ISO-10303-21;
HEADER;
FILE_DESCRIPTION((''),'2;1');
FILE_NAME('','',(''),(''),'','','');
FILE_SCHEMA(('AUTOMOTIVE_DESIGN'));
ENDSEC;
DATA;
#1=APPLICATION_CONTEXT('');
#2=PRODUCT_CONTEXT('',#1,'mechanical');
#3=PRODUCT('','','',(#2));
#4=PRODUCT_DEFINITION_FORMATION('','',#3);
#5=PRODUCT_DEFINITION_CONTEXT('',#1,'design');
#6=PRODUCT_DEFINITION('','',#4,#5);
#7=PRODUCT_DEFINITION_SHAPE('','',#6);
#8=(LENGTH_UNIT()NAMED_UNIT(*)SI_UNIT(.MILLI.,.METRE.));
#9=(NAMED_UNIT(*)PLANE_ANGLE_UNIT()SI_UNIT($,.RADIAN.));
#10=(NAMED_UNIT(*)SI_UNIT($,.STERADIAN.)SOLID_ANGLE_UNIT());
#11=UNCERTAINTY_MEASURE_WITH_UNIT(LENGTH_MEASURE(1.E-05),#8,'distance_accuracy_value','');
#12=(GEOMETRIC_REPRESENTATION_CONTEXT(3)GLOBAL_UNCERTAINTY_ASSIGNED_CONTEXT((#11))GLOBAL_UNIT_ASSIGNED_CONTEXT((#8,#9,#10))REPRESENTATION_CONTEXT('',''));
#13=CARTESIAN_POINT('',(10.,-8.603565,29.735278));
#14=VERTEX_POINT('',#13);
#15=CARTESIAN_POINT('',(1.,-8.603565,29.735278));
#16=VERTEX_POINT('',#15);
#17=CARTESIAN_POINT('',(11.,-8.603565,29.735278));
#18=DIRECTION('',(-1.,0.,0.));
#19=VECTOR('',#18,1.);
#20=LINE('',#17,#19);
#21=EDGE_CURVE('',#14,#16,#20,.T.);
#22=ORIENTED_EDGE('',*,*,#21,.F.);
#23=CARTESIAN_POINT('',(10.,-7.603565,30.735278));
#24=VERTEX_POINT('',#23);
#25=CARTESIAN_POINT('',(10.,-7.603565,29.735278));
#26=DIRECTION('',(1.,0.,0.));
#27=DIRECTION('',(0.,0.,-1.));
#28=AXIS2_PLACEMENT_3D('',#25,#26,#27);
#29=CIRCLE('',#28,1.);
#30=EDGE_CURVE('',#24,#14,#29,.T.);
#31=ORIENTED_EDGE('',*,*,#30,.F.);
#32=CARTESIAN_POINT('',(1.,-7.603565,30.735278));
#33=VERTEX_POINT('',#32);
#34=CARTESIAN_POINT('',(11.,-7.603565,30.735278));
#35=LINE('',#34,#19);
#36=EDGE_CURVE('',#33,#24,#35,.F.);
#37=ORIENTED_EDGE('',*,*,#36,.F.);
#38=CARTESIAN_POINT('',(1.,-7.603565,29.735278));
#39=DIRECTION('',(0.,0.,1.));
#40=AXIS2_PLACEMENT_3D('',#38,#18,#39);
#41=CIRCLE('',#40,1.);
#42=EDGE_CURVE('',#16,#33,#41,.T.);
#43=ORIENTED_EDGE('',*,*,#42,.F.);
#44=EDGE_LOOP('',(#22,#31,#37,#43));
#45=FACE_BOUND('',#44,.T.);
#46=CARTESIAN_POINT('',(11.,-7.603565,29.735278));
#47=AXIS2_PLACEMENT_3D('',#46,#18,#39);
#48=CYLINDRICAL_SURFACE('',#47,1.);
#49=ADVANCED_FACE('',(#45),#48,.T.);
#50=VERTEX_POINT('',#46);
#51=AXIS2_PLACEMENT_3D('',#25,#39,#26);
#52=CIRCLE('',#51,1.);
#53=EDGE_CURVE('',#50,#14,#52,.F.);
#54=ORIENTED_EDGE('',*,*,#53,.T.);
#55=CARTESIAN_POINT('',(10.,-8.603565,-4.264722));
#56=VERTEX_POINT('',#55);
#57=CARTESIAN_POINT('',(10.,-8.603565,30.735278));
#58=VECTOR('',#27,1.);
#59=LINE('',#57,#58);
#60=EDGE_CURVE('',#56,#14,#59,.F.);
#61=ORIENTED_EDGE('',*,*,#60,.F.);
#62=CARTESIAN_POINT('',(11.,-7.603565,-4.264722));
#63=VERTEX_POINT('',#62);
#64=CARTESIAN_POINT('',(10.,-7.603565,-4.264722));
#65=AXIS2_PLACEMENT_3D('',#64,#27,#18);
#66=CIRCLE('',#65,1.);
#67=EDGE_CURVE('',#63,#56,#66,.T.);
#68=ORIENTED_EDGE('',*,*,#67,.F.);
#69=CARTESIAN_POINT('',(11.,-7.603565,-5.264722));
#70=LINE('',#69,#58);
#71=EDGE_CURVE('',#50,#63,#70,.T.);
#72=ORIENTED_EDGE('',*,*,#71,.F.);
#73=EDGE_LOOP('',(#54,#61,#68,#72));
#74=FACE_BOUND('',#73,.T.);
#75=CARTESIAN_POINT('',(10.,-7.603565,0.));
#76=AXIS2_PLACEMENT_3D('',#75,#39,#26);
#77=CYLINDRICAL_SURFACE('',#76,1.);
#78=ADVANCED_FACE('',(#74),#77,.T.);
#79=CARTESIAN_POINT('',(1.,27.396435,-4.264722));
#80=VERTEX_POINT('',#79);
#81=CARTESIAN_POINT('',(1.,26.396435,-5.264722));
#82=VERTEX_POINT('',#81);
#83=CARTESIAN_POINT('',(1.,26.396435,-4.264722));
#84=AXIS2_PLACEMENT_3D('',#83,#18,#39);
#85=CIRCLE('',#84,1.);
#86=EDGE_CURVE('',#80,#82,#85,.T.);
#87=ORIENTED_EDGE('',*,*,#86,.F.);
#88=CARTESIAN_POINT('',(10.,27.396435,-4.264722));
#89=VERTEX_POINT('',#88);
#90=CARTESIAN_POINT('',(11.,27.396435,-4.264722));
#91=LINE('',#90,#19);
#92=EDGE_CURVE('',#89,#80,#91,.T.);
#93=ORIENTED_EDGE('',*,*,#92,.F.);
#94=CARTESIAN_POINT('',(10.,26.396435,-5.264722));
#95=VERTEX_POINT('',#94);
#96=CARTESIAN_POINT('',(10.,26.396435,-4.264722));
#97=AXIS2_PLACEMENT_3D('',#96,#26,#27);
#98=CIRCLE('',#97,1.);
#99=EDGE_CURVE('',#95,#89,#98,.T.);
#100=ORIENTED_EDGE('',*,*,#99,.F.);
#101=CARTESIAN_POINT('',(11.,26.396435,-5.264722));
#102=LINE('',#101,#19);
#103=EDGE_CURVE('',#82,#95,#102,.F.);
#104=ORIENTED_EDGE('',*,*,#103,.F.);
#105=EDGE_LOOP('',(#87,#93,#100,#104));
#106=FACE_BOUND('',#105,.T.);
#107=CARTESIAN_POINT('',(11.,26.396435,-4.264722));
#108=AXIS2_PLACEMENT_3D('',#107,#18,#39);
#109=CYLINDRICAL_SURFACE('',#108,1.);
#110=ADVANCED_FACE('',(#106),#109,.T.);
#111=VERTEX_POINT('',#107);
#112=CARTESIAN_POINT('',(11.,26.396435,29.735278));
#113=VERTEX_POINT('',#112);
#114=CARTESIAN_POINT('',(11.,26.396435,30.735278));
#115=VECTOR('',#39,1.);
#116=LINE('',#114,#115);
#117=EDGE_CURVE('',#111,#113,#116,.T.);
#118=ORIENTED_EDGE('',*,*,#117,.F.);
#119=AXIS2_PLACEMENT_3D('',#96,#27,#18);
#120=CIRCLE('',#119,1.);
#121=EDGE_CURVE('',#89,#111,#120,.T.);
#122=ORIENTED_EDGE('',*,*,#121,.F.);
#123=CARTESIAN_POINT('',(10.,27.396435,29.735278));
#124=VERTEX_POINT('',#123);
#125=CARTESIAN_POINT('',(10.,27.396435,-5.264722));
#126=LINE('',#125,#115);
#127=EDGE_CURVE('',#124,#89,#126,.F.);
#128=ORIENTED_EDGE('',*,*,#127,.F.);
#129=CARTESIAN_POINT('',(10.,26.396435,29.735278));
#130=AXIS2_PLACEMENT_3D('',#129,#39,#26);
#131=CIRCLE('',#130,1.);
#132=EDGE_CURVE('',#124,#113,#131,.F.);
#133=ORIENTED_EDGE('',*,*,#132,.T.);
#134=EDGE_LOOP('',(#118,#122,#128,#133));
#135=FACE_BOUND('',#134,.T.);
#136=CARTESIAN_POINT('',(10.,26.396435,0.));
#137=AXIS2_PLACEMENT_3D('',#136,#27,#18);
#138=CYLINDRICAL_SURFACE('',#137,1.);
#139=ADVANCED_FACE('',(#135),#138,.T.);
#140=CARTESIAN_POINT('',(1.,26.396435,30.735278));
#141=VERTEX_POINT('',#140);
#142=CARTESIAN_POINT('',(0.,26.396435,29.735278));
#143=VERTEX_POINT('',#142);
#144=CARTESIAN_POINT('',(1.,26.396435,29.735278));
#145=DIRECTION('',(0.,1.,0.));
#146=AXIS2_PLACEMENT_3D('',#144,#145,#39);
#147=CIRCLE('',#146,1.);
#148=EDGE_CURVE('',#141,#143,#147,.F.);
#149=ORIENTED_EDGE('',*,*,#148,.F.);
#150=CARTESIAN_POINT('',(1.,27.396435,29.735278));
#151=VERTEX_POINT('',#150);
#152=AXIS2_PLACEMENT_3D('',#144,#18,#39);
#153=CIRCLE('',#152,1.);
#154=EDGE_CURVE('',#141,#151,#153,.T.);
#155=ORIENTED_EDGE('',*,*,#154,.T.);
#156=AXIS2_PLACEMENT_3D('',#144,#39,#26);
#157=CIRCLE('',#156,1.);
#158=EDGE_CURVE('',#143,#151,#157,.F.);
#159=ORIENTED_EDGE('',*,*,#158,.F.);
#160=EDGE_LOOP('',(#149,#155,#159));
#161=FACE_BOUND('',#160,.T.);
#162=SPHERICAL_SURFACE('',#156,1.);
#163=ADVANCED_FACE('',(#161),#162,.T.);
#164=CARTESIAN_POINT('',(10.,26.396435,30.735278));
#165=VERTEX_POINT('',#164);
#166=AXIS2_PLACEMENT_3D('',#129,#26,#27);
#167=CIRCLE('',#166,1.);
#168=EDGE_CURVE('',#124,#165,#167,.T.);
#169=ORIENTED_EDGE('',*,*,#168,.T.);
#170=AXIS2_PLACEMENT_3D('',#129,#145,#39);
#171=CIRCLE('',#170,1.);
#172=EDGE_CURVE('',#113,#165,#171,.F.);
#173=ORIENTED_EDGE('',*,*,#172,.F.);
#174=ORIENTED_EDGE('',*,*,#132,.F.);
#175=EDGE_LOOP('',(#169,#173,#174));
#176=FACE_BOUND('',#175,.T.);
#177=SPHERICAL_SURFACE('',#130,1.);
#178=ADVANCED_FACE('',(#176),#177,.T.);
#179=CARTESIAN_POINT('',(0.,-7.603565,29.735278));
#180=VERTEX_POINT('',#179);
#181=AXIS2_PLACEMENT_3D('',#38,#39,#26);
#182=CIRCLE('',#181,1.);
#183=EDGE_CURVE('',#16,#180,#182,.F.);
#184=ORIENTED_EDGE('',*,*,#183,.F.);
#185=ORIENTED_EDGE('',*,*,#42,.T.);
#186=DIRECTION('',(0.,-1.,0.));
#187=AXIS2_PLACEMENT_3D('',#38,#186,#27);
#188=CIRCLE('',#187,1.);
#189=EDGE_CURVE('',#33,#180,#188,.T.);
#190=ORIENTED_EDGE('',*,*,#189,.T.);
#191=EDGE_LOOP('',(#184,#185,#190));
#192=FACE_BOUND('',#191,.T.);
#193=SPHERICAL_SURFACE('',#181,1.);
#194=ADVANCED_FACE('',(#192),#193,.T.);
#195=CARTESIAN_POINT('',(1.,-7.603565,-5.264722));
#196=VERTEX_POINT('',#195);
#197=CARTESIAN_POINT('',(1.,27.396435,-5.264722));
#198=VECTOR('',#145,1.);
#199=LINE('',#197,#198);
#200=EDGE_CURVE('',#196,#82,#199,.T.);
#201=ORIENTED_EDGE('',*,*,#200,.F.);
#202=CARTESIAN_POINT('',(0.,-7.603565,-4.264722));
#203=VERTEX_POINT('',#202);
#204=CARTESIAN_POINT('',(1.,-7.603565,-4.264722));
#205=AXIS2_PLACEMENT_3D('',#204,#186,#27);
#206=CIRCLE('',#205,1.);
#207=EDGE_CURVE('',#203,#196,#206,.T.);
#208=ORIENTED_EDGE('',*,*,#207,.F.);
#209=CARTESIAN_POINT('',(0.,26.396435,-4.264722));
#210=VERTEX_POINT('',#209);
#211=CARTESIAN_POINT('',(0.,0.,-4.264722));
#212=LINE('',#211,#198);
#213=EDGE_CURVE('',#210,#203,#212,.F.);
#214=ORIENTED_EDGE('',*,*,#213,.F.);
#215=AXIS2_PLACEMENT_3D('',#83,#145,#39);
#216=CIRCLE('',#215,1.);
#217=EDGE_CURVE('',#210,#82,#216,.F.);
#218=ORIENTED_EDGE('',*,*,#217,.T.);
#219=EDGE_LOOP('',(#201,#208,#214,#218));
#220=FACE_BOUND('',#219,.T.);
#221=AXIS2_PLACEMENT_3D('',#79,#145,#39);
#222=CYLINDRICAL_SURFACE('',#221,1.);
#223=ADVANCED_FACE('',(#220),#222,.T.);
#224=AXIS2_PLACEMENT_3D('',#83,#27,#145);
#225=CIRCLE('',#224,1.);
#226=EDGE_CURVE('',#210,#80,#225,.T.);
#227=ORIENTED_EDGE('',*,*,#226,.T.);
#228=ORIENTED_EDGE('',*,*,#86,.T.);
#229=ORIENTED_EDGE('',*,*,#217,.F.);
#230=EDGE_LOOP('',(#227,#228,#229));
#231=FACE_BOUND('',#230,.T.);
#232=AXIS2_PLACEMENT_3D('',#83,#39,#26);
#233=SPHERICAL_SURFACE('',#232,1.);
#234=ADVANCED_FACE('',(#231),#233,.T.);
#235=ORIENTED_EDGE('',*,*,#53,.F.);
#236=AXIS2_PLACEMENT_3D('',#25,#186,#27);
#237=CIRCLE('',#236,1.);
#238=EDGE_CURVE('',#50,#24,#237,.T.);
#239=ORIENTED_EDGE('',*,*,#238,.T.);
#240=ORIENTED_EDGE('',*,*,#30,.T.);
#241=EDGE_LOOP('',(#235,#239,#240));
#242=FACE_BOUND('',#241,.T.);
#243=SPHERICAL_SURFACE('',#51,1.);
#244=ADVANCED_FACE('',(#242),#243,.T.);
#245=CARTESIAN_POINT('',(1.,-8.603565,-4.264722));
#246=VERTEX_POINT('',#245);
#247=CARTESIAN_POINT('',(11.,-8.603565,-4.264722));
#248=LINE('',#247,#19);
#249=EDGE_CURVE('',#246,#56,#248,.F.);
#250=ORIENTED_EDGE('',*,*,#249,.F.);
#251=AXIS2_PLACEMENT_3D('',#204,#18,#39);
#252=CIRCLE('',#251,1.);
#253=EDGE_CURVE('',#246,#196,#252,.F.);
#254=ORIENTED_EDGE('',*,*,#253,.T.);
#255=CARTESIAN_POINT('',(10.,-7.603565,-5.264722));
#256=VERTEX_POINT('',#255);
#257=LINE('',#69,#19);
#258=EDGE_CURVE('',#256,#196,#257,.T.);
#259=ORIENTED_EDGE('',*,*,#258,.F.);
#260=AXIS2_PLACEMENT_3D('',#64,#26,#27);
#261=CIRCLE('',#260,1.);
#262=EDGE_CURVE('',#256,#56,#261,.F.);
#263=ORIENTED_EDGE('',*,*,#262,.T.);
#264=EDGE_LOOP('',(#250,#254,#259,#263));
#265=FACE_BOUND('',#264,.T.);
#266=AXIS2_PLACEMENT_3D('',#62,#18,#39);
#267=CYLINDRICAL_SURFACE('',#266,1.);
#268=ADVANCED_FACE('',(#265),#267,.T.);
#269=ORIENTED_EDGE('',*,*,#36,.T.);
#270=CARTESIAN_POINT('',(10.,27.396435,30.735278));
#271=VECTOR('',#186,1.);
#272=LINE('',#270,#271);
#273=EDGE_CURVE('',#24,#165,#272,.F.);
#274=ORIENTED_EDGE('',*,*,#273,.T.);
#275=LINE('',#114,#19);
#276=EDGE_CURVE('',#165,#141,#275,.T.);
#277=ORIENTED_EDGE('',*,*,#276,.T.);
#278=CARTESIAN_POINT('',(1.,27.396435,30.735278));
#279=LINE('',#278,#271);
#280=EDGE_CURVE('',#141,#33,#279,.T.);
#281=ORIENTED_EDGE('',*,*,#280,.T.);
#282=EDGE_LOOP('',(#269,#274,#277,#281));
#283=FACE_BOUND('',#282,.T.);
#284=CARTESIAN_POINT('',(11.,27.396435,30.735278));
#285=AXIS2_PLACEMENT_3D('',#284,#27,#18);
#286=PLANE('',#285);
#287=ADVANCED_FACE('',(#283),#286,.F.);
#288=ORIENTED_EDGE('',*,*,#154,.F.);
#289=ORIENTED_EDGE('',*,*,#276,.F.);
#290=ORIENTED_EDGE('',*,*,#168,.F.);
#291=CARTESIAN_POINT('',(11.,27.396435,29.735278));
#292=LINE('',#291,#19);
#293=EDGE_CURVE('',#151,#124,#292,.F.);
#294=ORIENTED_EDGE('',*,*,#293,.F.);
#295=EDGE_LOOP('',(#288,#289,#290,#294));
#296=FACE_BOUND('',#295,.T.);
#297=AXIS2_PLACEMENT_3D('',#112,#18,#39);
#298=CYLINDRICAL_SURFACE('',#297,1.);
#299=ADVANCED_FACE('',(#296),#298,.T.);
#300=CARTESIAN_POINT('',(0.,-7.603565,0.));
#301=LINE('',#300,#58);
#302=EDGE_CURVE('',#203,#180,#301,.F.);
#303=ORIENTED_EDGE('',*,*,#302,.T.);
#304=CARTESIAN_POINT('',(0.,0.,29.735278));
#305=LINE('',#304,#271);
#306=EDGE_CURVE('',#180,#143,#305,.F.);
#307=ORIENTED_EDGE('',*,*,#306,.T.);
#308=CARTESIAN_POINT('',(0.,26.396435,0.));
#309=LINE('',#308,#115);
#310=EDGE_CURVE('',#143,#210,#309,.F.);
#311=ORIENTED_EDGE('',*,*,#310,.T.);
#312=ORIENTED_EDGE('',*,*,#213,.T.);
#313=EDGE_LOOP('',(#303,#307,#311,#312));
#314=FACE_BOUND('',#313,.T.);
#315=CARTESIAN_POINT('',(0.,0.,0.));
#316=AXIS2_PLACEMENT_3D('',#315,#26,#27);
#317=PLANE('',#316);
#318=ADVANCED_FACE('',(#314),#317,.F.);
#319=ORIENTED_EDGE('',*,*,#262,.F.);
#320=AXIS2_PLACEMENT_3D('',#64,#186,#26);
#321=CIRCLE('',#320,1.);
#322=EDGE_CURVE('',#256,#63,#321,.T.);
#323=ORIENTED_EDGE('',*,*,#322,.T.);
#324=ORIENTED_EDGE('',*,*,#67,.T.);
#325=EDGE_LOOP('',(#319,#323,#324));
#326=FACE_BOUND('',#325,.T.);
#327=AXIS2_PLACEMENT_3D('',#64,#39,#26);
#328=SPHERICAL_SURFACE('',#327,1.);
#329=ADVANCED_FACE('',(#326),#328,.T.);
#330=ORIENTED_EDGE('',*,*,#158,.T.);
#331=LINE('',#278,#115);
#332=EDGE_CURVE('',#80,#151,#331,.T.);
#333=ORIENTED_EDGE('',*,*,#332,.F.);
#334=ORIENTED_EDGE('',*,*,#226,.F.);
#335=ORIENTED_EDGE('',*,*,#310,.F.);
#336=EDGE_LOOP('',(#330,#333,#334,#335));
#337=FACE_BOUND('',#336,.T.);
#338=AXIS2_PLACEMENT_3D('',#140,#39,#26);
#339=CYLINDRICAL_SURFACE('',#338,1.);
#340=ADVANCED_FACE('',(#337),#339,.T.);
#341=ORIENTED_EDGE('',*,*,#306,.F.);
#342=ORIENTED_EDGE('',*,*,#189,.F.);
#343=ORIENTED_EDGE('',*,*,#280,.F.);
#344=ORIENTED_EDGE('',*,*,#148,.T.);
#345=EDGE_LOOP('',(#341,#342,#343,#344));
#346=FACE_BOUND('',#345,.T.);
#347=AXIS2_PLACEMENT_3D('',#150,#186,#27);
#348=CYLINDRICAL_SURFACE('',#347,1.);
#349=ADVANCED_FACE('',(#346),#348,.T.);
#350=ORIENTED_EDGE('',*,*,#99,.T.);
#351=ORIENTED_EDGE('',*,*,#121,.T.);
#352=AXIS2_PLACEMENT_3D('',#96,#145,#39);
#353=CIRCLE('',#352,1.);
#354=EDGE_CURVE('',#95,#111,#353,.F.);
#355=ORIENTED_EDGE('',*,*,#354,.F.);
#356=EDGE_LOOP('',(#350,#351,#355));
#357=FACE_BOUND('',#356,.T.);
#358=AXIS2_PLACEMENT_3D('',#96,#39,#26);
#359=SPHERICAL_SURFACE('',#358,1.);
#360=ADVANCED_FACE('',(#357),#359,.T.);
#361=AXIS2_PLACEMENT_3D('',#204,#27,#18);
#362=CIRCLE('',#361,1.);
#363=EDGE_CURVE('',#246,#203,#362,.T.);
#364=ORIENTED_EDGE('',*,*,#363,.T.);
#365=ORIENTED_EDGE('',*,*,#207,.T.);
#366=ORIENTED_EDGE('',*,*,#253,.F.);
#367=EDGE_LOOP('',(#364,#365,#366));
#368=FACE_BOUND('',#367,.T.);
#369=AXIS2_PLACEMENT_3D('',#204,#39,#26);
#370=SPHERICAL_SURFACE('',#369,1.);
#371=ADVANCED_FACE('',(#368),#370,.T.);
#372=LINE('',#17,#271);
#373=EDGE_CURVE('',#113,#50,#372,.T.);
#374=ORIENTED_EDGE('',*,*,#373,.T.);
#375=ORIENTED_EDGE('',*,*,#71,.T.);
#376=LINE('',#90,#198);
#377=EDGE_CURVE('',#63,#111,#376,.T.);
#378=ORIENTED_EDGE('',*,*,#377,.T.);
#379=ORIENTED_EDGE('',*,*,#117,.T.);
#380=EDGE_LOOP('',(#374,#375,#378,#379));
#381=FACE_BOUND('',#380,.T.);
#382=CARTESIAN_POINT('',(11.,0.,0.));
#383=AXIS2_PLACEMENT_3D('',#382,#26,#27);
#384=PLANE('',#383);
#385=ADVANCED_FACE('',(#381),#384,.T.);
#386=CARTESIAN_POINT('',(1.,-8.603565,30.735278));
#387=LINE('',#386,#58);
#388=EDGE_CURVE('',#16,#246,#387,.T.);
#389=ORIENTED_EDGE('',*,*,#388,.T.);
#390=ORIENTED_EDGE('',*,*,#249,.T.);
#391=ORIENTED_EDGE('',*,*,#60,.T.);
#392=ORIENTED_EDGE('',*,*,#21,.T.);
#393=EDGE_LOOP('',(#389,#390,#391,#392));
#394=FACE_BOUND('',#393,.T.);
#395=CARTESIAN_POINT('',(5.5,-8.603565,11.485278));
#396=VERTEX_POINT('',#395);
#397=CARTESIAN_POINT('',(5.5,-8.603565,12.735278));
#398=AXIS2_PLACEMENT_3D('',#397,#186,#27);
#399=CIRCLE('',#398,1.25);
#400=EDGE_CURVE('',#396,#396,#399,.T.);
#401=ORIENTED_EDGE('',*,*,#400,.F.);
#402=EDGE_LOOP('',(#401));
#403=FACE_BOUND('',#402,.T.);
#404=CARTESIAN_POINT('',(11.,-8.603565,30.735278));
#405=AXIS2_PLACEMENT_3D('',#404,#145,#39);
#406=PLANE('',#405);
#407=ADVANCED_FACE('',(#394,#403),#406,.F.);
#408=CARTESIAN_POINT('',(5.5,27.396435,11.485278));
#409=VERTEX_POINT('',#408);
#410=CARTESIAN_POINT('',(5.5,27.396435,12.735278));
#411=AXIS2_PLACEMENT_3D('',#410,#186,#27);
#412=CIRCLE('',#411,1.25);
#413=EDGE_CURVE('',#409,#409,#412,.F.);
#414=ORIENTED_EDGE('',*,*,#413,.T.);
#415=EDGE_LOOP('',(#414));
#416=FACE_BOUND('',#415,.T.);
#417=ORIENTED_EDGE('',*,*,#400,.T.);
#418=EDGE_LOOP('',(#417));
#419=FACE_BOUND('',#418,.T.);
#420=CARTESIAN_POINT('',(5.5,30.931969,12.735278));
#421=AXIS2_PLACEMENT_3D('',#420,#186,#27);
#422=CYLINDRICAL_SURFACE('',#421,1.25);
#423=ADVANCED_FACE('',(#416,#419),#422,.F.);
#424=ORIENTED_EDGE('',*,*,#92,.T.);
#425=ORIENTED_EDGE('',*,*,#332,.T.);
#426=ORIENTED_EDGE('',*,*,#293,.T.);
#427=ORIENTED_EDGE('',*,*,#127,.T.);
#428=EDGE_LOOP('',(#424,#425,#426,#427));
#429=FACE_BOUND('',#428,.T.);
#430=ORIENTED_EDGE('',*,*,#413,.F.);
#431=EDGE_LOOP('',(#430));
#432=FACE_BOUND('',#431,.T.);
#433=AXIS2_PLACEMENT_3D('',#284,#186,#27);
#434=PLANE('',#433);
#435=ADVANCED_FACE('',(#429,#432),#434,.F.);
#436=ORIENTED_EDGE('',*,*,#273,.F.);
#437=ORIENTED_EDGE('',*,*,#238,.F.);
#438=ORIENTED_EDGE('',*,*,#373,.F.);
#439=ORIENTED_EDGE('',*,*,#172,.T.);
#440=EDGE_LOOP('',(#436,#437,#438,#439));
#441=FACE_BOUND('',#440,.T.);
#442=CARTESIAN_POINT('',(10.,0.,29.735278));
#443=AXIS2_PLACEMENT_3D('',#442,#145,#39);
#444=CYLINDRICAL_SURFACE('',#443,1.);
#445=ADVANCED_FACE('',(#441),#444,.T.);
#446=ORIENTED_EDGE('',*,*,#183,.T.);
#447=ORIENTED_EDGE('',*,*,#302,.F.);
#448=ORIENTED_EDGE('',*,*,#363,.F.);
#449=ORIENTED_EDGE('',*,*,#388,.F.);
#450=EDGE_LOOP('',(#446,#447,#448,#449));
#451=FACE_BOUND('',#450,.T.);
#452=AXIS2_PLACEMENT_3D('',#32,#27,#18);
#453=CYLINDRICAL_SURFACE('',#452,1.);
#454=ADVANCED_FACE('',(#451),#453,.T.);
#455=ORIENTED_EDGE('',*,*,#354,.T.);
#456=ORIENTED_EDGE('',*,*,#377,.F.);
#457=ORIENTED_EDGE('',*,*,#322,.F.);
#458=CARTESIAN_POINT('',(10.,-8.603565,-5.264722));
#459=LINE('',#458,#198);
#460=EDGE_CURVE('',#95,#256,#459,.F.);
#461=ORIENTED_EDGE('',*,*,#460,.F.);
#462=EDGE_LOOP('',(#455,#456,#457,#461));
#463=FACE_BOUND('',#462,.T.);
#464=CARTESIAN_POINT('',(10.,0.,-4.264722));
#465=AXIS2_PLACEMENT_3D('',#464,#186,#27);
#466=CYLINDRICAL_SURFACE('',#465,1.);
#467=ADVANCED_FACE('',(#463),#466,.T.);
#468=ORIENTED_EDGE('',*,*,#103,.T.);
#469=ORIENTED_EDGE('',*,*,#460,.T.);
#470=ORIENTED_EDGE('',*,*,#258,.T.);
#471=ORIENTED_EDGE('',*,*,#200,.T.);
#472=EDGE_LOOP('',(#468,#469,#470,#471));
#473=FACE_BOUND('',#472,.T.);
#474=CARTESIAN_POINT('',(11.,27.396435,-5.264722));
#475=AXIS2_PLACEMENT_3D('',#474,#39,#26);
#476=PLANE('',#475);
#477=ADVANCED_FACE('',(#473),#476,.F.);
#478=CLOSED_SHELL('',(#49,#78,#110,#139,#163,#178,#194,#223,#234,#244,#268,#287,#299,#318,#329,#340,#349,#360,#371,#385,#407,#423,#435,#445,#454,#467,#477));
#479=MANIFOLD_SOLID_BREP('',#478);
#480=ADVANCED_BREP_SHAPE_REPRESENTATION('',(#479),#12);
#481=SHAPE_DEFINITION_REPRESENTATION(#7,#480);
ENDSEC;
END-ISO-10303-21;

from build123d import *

# Parameters (mm, degrees)
SKETCH_1_W          = 36
SKETCH_1_H          = 36
EXTRUDE_1_DEPTH     = 11
FILLET_1_R          = 1
SKETCH_2_R          = 1.25
CUT_EXTRUDE_1_DEPTH = 36


with BuildPart() as part:
    # 草图1 → 凸台-拉伸1 (new body)
    with BuildSketch(Plane(origin=(0, 0, 0), x_dir=(0, 0, -1), z_dir=(1, 0, 0))):
        with Locations((-12.735278258, 9.396435054)):
            Rectangle(SKETCH_1_W, SKETCH_1_H)
    extrude(amount=EXTRUDE_1_DEPTH)

    # 圆角1
    fillet_1_edges = [part.edges().sort_by_distance(p)[0] for p in [
        (11, 9.396435054, -5.264721742),
        (11, 27.396435054, 12.735278258),
        (11, 9.396435054, 30.735278258),
        (0, 27.396435054, 12.735278258),
        (0, 9.396435054, -5.264721742),
        (0, -8.603564946, 12.735278258),
        (0, 9.396435054, 30.735278258),
        (5.5, 27.396435054, 30.735278258),
        (5.5, 27.396435054, -5.264721742),
        (5.5, -8.603564946, -5.264721742),
        (5.5, -8.603564946, 30.735278258),
        (11, -8.603564946, 12.735278258),
    ]]
    fillet(fillet_1_edges, radius=FILLET_1_R)

    # 草图2 → 切除-拉伸1 (cut)
    with BuildSketch(Plane.XZ.offset(8.603564946)):
        with Locations(Location((5.5, 12.735278258, 0), (0, 0, 270))):
            Circle(SKETCH_2_R)
    extrude(amount=-CUT_EXTRUDE_1_DEPTH, mode=Mode.SUBTRACT)


solid = part.part
